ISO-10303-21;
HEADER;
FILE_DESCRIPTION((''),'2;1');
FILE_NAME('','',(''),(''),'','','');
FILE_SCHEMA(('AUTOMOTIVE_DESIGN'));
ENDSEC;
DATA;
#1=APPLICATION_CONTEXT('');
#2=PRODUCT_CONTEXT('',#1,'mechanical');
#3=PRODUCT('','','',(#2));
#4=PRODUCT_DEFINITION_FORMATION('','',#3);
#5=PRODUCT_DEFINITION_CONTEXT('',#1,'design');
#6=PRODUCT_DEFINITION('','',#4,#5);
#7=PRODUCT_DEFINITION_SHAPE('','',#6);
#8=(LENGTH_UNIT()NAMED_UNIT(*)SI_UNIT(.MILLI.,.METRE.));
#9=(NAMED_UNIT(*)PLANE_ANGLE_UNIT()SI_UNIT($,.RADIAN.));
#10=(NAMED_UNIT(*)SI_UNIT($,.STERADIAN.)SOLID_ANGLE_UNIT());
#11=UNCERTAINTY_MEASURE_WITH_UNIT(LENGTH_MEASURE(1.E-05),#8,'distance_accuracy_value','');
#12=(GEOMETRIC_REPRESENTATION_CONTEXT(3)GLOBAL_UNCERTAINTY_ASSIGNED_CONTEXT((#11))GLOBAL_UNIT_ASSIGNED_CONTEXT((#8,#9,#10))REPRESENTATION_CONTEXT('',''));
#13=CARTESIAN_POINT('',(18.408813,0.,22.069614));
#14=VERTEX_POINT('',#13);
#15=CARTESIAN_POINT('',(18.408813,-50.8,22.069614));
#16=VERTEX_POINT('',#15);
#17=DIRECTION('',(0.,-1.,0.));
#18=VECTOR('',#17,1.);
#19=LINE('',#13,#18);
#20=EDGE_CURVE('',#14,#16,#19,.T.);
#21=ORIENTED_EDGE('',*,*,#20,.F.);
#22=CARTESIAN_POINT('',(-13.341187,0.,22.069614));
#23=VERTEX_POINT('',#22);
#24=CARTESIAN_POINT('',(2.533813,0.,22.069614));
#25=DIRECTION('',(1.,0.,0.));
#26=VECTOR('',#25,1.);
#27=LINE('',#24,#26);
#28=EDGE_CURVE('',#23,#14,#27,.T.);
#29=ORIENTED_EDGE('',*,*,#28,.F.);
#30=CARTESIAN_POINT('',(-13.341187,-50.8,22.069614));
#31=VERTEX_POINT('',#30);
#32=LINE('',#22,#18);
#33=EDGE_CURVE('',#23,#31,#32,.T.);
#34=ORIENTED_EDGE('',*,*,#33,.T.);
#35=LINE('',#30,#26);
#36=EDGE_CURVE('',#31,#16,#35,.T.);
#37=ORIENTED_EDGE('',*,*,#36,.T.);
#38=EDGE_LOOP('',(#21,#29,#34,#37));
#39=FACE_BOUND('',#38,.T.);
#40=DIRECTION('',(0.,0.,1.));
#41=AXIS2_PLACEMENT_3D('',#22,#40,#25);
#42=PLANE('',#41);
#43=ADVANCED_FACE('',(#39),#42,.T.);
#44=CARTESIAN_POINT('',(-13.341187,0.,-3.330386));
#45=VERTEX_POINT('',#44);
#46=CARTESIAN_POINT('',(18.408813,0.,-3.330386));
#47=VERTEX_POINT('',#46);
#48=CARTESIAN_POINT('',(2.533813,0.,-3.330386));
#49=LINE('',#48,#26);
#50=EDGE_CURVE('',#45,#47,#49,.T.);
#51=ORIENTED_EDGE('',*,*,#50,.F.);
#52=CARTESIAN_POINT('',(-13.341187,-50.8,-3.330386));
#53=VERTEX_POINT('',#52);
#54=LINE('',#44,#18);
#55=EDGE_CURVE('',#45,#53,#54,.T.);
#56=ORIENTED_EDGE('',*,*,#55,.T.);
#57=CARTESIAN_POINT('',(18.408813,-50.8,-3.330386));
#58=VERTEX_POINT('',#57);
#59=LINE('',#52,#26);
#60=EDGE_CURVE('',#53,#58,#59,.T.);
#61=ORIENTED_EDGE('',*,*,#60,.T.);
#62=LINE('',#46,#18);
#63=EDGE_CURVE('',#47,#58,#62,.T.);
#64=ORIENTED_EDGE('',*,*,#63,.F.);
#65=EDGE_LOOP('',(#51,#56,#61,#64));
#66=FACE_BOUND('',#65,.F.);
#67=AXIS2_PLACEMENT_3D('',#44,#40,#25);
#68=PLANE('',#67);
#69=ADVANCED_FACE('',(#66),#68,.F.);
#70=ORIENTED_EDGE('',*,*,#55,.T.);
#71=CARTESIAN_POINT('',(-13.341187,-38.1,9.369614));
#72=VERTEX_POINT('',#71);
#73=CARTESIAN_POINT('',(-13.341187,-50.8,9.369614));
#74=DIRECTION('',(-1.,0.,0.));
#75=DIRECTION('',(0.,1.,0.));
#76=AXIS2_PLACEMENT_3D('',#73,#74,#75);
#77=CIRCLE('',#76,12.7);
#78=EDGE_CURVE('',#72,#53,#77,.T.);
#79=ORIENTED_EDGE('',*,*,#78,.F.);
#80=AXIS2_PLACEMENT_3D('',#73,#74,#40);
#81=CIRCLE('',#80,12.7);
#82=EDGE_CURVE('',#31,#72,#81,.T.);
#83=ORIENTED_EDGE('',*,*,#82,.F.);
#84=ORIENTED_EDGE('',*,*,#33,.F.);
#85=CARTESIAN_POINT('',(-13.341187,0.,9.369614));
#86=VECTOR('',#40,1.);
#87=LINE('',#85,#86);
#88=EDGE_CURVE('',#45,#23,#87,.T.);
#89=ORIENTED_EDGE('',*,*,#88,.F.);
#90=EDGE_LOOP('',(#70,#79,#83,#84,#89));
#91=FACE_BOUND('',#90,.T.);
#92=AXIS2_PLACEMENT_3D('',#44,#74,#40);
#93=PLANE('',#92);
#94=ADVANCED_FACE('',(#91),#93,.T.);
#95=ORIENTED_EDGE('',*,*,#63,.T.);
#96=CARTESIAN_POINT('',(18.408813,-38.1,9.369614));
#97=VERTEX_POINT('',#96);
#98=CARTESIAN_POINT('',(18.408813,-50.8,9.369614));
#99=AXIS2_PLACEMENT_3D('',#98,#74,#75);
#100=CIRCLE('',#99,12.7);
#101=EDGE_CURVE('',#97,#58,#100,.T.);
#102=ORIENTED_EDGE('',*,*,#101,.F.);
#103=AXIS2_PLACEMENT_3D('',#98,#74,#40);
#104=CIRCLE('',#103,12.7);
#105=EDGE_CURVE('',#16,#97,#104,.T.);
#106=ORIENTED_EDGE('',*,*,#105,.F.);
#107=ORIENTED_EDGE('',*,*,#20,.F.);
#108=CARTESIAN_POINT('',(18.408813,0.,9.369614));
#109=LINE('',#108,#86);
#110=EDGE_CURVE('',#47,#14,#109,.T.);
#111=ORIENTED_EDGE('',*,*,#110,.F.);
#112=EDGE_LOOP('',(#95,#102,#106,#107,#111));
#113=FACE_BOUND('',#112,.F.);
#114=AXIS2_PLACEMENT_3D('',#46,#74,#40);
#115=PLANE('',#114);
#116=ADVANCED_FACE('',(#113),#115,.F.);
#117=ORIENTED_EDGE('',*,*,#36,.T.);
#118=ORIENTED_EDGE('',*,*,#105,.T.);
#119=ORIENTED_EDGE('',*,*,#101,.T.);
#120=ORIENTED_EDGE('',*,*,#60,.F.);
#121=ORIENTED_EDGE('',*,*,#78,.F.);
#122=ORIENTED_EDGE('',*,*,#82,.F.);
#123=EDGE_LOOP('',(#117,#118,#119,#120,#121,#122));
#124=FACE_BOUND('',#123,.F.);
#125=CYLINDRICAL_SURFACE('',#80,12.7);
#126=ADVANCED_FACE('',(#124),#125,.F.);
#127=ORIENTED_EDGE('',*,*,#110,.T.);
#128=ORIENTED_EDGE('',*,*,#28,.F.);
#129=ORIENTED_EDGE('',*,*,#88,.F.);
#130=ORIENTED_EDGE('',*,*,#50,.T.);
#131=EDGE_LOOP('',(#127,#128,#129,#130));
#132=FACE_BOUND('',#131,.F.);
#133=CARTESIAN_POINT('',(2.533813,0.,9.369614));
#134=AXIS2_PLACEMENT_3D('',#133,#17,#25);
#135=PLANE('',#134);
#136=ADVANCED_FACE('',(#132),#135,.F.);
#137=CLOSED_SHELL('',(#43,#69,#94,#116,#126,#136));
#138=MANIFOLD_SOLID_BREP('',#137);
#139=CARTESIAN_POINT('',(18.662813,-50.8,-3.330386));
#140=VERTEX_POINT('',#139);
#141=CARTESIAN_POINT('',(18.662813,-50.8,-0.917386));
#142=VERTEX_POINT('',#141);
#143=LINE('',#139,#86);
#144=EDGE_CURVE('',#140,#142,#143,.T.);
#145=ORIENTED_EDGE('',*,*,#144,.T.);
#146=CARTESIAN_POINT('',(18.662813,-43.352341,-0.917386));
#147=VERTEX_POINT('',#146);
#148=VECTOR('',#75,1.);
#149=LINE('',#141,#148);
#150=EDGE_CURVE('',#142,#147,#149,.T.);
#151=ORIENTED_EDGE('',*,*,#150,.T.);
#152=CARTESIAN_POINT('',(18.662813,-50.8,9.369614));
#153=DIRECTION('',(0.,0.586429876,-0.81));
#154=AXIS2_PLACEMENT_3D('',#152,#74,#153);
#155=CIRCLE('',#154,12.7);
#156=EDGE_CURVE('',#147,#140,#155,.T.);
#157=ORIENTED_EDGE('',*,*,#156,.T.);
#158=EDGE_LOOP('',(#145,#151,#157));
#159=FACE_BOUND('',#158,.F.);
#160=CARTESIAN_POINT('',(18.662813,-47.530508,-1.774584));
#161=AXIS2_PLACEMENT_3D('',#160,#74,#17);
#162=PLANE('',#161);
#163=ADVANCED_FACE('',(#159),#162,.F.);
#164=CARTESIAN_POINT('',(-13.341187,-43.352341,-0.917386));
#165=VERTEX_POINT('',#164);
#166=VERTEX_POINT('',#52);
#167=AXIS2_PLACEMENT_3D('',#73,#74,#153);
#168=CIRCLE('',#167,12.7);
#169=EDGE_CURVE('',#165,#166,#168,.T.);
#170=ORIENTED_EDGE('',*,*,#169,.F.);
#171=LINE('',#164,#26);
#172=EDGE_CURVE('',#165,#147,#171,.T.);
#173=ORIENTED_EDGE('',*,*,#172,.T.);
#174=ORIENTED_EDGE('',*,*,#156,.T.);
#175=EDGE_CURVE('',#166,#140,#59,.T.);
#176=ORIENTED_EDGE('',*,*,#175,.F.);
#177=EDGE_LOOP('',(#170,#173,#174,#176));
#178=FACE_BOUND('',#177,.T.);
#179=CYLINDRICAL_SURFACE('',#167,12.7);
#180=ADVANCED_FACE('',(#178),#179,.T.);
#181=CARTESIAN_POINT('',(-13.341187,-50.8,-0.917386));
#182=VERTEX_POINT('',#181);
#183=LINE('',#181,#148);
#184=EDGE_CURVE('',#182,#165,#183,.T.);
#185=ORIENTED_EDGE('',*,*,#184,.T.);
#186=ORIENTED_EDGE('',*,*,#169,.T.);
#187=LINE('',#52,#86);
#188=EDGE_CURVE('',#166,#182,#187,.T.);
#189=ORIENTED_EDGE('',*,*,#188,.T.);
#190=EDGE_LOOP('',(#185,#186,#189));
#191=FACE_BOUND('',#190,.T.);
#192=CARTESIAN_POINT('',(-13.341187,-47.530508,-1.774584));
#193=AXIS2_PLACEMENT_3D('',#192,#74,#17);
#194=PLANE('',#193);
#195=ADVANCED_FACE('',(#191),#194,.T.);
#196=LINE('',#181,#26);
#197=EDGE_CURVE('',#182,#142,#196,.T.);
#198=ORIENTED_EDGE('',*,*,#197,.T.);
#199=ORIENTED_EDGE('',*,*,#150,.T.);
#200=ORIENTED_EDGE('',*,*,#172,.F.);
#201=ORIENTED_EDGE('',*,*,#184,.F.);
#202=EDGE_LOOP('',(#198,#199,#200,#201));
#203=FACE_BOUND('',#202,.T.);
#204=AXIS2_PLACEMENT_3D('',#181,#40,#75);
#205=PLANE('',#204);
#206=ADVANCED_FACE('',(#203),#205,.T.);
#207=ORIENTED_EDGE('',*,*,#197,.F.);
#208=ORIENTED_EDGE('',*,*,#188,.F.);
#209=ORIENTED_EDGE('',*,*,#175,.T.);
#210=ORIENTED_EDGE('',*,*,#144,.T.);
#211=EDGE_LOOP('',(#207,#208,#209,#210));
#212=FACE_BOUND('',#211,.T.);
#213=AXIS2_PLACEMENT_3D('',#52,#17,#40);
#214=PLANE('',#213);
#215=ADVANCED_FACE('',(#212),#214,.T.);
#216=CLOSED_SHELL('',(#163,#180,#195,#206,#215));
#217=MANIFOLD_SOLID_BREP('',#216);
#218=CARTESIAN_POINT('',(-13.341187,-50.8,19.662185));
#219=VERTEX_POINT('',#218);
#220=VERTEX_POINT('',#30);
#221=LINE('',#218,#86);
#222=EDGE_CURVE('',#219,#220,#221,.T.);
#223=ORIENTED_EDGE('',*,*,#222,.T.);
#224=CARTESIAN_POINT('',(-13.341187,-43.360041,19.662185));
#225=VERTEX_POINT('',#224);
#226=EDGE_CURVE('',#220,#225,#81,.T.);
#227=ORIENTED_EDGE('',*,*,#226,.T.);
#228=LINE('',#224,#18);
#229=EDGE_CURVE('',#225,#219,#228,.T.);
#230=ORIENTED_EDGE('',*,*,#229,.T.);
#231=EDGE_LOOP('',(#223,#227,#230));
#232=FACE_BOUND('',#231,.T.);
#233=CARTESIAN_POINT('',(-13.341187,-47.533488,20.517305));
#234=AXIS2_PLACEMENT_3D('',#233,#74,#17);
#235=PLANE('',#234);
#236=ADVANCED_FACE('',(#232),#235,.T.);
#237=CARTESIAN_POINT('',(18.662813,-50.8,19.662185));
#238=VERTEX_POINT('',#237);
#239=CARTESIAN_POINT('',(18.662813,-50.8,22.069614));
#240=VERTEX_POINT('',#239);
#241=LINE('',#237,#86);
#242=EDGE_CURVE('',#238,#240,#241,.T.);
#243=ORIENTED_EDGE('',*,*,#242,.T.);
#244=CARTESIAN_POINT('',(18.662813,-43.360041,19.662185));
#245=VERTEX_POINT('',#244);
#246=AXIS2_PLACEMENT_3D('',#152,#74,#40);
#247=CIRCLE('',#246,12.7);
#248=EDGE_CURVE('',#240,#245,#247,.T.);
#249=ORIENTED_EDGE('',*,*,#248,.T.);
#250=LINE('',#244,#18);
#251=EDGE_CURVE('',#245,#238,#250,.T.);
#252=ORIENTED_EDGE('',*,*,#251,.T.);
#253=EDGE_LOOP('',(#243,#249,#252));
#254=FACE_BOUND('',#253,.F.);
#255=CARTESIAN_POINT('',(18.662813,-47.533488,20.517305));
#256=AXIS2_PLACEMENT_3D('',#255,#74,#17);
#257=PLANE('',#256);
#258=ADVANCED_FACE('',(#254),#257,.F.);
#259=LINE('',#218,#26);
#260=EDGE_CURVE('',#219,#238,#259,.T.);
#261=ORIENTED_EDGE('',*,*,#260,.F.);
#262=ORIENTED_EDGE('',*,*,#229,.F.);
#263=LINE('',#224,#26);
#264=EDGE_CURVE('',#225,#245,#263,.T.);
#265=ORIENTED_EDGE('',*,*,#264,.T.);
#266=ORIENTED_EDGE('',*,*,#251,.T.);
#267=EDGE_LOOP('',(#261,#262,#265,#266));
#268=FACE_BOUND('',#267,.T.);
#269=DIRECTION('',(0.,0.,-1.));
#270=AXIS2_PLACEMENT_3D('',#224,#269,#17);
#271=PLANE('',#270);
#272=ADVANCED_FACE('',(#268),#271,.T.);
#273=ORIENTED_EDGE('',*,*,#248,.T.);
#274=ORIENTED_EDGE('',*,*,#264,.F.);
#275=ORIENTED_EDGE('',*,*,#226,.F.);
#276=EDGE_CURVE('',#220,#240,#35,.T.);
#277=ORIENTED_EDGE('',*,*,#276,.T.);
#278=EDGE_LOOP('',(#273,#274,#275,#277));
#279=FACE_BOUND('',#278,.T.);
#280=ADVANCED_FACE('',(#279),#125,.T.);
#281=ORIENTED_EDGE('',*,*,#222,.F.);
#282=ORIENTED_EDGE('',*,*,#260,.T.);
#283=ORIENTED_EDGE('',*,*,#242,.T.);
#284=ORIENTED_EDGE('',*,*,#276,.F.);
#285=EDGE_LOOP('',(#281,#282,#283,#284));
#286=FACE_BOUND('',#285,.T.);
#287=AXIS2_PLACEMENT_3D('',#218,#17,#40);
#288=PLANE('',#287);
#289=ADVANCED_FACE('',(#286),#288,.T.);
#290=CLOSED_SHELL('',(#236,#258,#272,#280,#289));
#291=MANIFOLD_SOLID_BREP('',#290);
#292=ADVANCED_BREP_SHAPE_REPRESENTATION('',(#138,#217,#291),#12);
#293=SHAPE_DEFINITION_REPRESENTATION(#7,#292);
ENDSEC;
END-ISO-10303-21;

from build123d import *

# Parameters (mm, degrees)
F0_W     = 31.75
F0_H     = 25.4
F1_DEPTH = 50.8
F3_DEPTH = 25.4
F4_DEPTH = 25.4
F6_DEPTH = 32.004


with BuildPart() as f1:
    # F0 (on Front) → F1 (new body)
    with BuildSketch(Plane.XZ):
        with Locations((2.5338130072, 9.369613902)):
            Rectangle(F0_W, F0_H)
    extrude(amount=F1_DEPTH)

    # F2 (on face) → F3 (cut)
    with BuildSketch(Plane(origin=(-13.3411869928, 0, 0), x_dir=(0, -1, 0), z_dir=(-1, 0, 0))):
        with BuildLine():
            Line((38.1, 9.369613902), (50.8, 9.369613902))
            Line((50.8, 9.369613902), (50.8, 22.069613902))
            ThreePointArc((50.8, 22.069613902), (41.8197438789, 18.3498700231), (38.1, 9.369613902))
        make_face()
        with BuildLine():
            Line((50.8, -3.330386098), (50.8, 9.369613902))
            Line((50.8, 9.369613902), (38.1, 9.369613902))
            ThreePointArc((38.1, 9.369613902), (41.8197438789, 0.3893577809), (50.8, -3.330386098))
        make_face()
    extrude(amount=-F3_DEPTH, mode=Mode.SUBTRACT)

    # F4 (cut): a face of the model
    f4_faces = [f1.faces().sort_by_distance(p)[0] for p in [
        (12.0588130072, -45.409952594, 9.369613902),
    ]]
    extrude(f4_faces, amount=-F4_DEPTH, mode=Mode.SUBTRACT)


with BuildPart() as f6:
    # F5 (on face) → F6 (new body)
    with BuildSketch(Plane(origin=(-13.3411869928, 0, 0), x_dir=(0, -1, 0), z_dir=(-1, 0, 0))):
        with BuildLine():
            Line((50.8, 19.6621846408), (50.8, 22.069613902))
            ThreePointArc((50.8, 22.069613902), (46.8901181848, 21.4527767409), (43.3600411569, 19.6621846408))
            Line((43.3600411569, 19.6621846408), (50.8, 19.6621846408))
        make_face()
    extrude(amount=-F6_DEPTH)


with BuildPart() as f6b:
    # F5 (on face) → F6, piece 2 (new body)
    with BuildSketch(Plane(origin=(-13.3411869928, 0, 0), x_dir=(0, -1, 0), z_dir=(-1, 0, 0))):
        with BuildLine():
            Line((50.8, -0.917386098), (43.352340569, -0.917386098))
            ThreePointArc((43.352340569, -0.917386098), (46.8855971081, -2.7120850679), (50.8, -3.330386098))
            Line((50.8, -3.330386098), (50.8, -0.917386098))
        make_face()
    extrude(amount=-F6_DEPTH)


solid = Compound([f1.part, f6.part, f6b.part])
